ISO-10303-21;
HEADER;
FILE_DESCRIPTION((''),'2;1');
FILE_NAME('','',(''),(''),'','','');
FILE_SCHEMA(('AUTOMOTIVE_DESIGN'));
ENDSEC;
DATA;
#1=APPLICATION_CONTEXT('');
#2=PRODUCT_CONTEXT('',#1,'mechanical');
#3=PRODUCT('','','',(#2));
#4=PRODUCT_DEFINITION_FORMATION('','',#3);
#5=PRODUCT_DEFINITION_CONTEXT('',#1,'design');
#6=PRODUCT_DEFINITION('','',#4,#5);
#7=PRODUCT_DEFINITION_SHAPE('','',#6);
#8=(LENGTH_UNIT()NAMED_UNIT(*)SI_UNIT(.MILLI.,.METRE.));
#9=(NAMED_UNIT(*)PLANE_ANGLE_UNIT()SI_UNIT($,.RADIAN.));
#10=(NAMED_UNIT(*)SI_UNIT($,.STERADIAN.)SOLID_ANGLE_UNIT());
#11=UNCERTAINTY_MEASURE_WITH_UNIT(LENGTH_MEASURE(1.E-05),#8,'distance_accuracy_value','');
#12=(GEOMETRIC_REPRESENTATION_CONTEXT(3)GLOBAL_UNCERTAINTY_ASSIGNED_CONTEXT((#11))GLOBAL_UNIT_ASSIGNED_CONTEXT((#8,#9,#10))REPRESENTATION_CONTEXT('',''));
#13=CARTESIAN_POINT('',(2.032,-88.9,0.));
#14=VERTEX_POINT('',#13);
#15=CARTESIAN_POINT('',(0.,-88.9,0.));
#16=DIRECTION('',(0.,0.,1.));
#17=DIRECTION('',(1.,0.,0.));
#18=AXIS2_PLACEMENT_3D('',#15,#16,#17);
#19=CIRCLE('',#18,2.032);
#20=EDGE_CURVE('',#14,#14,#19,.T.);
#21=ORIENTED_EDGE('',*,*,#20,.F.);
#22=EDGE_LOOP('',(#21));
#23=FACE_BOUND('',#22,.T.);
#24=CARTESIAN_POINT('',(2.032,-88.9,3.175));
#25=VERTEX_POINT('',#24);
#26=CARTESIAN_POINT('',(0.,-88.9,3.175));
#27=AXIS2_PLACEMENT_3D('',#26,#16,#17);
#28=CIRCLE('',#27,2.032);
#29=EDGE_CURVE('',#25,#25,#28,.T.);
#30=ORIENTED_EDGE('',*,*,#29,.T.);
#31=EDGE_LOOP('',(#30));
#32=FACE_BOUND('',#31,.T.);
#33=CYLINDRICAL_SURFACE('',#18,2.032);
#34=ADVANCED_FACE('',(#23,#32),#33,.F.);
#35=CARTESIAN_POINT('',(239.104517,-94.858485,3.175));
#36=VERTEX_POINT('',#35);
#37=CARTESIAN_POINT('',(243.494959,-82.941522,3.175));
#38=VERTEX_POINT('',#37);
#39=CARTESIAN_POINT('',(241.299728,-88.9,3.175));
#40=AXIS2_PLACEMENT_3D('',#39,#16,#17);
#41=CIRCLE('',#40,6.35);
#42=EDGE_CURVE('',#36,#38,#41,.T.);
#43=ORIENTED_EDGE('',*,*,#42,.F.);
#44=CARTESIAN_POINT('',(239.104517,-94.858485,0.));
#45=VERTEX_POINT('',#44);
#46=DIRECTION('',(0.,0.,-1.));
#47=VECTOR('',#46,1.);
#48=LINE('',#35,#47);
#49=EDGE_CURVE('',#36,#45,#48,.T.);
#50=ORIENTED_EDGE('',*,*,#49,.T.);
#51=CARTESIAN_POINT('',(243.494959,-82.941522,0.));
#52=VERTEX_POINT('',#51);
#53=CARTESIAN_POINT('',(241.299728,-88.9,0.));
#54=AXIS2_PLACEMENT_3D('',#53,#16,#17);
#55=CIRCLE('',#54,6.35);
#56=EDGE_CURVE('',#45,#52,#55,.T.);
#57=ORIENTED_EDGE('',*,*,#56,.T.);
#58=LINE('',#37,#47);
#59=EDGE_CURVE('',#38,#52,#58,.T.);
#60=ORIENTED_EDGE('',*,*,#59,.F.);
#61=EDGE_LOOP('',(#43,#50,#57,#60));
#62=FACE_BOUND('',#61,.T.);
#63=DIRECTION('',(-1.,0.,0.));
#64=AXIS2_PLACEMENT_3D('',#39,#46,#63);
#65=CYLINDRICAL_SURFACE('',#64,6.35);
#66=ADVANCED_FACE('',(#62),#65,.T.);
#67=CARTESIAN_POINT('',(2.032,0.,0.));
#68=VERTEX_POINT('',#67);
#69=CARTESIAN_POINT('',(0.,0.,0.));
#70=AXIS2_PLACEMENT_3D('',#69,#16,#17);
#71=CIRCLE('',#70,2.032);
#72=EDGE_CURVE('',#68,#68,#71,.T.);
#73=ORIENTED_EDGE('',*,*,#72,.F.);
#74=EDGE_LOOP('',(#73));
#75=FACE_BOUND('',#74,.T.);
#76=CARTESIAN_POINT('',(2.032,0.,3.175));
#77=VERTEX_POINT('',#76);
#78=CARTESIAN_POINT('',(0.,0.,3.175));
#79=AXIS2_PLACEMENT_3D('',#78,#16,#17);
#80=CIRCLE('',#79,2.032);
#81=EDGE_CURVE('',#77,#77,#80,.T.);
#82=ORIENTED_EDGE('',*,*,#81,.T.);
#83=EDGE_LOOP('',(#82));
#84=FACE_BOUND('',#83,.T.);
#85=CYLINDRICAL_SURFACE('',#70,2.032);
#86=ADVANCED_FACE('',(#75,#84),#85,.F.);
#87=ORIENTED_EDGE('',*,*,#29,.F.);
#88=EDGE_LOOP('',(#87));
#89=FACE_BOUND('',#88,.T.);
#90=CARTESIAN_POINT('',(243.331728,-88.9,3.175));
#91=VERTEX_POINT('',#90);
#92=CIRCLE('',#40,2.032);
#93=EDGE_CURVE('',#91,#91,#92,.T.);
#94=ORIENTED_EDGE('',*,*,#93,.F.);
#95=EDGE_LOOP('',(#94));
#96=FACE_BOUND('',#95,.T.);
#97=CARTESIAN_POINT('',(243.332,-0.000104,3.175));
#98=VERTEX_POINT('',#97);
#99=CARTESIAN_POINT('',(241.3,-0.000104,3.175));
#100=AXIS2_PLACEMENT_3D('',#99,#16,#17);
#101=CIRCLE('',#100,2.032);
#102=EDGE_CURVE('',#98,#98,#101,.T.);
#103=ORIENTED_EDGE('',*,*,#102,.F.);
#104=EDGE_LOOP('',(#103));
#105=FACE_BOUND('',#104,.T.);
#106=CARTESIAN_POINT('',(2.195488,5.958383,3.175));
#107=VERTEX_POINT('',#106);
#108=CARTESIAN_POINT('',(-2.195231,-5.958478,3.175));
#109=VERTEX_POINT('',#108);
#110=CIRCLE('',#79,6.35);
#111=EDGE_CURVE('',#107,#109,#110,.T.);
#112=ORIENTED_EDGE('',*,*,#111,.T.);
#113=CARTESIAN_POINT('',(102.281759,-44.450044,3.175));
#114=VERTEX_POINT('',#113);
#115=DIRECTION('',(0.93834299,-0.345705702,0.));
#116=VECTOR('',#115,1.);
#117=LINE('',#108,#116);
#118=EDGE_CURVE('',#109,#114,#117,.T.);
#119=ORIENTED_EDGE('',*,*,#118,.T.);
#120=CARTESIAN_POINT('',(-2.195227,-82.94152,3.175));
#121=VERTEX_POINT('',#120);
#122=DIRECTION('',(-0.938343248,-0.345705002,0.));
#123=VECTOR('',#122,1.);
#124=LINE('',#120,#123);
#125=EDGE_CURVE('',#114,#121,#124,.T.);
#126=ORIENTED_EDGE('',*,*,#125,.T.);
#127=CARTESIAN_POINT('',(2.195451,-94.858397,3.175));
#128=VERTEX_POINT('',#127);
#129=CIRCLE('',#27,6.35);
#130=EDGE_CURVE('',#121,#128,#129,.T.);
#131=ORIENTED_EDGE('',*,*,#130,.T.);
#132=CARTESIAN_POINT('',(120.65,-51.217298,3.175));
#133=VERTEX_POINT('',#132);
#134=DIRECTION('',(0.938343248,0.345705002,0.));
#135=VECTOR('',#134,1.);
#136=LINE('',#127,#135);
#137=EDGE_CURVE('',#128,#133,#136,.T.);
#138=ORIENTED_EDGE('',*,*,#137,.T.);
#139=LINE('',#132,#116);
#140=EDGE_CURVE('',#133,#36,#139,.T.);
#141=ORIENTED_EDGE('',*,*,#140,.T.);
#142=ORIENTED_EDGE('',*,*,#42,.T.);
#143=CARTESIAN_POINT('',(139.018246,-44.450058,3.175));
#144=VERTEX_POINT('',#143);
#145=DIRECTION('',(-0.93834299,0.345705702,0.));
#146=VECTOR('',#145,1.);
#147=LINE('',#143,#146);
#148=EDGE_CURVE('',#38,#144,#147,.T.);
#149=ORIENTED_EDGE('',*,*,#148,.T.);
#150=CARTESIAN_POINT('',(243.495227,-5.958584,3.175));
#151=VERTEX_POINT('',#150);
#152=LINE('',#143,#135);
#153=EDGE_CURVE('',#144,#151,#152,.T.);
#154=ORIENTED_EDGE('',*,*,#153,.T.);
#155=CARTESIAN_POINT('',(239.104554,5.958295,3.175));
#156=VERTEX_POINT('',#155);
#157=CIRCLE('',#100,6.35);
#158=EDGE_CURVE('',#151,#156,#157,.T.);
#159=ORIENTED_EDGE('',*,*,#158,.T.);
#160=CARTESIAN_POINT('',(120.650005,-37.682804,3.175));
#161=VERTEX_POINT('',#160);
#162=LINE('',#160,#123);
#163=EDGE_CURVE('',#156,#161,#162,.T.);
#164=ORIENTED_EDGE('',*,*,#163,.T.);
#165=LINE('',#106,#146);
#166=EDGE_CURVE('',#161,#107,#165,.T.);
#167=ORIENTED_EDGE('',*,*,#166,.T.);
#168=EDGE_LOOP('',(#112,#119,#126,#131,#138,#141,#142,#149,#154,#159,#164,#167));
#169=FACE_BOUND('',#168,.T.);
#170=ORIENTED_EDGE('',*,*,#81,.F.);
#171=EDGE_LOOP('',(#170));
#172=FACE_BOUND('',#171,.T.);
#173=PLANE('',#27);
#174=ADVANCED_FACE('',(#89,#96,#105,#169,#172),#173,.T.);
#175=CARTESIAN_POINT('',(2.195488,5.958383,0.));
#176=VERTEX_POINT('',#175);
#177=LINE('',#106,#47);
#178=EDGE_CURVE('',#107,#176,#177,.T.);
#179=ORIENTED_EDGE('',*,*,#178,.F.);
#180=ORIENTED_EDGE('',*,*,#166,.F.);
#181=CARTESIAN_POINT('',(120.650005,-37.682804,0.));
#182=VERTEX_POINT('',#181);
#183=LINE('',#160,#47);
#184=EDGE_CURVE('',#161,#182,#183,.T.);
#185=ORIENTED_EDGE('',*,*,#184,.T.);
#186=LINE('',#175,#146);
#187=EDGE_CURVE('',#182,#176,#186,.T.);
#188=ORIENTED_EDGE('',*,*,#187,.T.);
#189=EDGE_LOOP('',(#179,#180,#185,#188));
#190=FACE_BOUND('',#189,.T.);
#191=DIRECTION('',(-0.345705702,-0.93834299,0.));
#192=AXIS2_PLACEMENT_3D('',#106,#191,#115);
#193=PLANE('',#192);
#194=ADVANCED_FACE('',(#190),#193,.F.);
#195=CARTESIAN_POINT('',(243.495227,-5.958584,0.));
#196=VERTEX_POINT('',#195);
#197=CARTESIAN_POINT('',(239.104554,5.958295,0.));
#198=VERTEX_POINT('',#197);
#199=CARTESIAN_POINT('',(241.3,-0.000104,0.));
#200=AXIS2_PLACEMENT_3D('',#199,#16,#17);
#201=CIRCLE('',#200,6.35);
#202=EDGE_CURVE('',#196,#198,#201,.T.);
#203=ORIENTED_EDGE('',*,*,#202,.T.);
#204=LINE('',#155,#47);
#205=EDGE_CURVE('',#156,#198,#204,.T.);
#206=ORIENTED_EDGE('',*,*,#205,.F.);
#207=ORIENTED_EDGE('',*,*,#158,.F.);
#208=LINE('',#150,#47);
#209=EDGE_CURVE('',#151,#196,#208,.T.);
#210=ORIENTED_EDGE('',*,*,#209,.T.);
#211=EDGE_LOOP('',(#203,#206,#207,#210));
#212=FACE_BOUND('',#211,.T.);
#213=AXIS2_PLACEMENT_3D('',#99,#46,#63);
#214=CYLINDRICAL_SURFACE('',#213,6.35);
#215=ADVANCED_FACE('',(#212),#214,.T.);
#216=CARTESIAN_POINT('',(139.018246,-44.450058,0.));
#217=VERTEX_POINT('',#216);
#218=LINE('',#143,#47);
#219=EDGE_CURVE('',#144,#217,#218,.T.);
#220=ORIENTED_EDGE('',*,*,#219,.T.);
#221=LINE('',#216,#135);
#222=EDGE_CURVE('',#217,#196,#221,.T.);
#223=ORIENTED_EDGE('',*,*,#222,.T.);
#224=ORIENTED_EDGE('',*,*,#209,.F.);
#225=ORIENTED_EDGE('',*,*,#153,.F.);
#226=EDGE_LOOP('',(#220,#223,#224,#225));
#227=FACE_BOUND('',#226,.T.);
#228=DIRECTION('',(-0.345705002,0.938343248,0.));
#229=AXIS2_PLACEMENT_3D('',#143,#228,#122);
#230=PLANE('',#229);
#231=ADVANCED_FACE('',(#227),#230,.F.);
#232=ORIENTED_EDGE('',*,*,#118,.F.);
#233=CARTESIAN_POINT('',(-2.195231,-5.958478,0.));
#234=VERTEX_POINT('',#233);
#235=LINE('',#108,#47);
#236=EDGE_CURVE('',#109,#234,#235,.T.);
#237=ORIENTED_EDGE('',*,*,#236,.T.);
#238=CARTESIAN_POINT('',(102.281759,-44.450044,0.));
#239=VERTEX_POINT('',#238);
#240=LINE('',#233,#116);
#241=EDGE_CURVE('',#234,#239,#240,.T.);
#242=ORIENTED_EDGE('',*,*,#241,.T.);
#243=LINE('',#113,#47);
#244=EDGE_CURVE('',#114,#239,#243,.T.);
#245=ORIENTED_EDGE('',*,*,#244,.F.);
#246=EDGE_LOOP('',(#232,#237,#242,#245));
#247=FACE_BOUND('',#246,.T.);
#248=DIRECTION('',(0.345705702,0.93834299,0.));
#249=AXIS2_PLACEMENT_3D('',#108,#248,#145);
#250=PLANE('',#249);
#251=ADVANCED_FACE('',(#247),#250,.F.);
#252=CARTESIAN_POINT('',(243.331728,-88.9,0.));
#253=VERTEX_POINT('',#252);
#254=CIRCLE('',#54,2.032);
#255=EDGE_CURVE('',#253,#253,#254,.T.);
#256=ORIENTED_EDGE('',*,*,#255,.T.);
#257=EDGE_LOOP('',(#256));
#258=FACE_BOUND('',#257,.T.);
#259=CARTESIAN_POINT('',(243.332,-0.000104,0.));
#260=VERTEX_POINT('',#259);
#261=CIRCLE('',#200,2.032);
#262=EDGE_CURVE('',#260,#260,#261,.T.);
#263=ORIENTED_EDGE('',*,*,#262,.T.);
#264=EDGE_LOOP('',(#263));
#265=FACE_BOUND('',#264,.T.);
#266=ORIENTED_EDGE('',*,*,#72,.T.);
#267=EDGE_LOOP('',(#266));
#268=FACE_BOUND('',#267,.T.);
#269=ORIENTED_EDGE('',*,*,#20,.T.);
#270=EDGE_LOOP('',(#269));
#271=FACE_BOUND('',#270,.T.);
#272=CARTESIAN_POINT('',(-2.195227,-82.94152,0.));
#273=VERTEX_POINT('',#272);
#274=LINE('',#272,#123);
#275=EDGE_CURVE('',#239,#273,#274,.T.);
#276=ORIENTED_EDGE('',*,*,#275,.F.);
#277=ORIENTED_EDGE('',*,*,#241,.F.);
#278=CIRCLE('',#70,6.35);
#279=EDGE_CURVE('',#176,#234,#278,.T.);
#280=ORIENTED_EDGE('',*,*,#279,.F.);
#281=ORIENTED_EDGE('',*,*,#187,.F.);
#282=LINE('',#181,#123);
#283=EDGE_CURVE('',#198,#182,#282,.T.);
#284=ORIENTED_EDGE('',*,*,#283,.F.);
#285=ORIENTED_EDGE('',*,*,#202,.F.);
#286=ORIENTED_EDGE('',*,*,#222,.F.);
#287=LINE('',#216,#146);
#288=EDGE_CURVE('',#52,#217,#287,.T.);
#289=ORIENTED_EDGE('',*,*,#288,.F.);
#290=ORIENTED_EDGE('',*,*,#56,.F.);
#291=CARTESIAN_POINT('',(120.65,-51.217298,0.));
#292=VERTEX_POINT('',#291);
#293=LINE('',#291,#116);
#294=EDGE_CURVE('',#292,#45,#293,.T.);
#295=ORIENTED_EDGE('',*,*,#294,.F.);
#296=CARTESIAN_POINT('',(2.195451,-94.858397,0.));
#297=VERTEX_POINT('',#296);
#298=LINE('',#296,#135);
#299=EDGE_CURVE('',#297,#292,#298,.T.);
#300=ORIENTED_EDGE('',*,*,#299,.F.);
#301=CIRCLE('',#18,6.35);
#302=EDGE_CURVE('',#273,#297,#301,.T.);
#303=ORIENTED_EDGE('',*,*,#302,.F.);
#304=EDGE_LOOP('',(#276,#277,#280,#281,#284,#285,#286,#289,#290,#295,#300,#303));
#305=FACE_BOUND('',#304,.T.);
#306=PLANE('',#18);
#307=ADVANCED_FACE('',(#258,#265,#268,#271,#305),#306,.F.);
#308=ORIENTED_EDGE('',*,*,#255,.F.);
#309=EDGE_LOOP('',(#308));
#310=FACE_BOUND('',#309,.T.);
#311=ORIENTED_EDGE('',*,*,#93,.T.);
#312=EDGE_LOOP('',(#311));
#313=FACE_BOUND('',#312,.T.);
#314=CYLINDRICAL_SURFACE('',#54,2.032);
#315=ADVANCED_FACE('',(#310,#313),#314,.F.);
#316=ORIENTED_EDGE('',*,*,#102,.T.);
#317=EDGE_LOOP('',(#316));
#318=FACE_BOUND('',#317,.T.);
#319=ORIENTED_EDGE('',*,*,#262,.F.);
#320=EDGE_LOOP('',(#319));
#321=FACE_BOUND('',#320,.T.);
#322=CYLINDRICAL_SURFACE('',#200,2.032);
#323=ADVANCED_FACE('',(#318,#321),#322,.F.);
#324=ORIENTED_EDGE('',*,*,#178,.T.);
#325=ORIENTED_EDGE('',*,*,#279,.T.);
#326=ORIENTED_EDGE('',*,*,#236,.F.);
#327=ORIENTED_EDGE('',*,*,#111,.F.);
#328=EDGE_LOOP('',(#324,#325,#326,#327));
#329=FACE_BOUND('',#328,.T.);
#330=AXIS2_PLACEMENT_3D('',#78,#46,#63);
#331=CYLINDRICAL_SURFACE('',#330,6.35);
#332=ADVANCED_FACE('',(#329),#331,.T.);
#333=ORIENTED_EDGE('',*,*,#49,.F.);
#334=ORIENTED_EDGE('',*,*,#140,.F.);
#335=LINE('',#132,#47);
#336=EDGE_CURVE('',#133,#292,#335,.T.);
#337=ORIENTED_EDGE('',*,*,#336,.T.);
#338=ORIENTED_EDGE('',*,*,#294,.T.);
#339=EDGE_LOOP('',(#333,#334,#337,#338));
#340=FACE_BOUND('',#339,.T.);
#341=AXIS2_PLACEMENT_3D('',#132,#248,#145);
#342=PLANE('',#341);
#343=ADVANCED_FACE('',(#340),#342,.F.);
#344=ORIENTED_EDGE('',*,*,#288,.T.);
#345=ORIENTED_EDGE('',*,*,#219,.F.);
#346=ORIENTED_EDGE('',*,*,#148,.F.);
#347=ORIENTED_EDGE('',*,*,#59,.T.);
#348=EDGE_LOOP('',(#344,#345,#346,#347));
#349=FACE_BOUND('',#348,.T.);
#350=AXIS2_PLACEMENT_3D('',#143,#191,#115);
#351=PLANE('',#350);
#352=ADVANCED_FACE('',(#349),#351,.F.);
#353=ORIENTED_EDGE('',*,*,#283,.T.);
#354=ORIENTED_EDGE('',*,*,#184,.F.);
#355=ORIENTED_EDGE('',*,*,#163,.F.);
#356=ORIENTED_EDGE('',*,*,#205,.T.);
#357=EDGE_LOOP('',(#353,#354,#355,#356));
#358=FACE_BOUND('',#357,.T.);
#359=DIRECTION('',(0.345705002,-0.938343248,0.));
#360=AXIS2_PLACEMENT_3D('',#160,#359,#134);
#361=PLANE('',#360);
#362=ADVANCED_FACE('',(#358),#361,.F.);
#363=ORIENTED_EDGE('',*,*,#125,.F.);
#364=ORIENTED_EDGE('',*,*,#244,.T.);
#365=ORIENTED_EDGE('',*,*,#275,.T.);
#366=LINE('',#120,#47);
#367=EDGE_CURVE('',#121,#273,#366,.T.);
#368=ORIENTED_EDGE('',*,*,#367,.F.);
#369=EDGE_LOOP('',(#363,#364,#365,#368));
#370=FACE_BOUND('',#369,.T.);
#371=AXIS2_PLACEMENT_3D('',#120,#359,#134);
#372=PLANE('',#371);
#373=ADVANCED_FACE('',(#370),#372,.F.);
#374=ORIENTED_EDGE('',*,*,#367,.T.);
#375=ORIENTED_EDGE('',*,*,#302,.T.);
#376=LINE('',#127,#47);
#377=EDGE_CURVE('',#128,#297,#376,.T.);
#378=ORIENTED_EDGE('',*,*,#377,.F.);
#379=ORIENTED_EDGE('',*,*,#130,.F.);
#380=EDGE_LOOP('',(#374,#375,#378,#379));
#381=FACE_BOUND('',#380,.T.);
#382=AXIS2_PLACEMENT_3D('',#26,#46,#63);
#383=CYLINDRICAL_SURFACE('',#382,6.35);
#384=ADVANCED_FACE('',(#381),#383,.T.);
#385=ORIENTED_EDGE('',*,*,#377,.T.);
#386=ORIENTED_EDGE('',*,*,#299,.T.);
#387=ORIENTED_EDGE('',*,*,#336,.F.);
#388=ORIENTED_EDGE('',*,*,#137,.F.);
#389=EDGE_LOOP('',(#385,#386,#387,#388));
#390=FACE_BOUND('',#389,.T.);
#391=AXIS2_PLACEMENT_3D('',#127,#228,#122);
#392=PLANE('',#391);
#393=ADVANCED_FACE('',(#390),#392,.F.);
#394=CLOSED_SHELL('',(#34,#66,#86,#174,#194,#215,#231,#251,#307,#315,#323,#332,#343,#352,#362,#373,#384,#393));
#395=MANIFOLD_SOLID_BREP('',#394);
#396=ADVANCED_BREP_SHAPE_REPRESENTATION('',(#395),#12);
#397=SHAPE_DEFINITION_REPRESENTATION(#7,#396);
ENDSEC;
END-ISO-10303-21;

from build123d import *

# Parameters (mm, degrees)
BOSS_EXTRUDE1_DEPTH = 3.175
SKETCH2_R           = 2.032
CUT_EXTRUDE1_DEPTH  = 266.354791982


with BuildPart() as part:
    # Sketch1 → Boss-Extrude1 (new body)
    with BuildSketch(Plane.XY):
        with BuildLine():
            Line((-2.195226767, -82.94152037), (102.281759292, -44.45004426))
            Line((102.281759292, -44.45004426), (-2.195231212, -5.958477994))
            ThreePointArc((-2.195231212, -5.958477994), (-5.95843062, 2.195359776), (2.195488341, 5.958383249))
            Line((2.195488341, 5.958383249), (120.650005048, -37.682803747))
            Line((120.650005048, -37.682803747), (239.104554312, 5.958294883))
            ThreePointArc((239.104554312, 5.958294883), (247.258439301, 2.195232145), (243.495226767, -5.958583713))
            Line((243.495226767, -5.958583713), (139.018245757, -44.450057963))
            Line((139.018245757, -44.450057963), (243.494958814, -82.941522012))
            ThreePointArc((243.494958814, -82.941522012), (247.258209334, -91.095221053), (239.104516708, -94.858485472))
            Line((239.104516708, -94.858485472), (120.65, -51.217298476))
            Line((120.65, -51.217298476), (2.195450736, -94.858397105))
            ThreePointArc((2.195450736, -94.858397105), (-5.958438371, -91.095338753), (-2.195226767, -82.94152037))
        make_face()
    extrude(amount=BOSS_EXTRUDE1_DEPTH)

    # Sketch2 → Cut-Extrude1 (cut, through all)
    with BuildSketch(Plane.XY.offset(3.175)):
        Circle(SKETCH2_R)
        with Locations((0, -88.9)):
            Circle(SKETCH2_R)
        with Locations((241.299727604, -88.9)):
            Circle(SKETCH2_R)
        with Locations((241.3, -0.000104083)):
            Circle(SKETCH2_R)
    extrude(amount=-CUT_EXTRUDE1_DEPTH, mode=Mode.SUBTRACT)


solid = part.part
